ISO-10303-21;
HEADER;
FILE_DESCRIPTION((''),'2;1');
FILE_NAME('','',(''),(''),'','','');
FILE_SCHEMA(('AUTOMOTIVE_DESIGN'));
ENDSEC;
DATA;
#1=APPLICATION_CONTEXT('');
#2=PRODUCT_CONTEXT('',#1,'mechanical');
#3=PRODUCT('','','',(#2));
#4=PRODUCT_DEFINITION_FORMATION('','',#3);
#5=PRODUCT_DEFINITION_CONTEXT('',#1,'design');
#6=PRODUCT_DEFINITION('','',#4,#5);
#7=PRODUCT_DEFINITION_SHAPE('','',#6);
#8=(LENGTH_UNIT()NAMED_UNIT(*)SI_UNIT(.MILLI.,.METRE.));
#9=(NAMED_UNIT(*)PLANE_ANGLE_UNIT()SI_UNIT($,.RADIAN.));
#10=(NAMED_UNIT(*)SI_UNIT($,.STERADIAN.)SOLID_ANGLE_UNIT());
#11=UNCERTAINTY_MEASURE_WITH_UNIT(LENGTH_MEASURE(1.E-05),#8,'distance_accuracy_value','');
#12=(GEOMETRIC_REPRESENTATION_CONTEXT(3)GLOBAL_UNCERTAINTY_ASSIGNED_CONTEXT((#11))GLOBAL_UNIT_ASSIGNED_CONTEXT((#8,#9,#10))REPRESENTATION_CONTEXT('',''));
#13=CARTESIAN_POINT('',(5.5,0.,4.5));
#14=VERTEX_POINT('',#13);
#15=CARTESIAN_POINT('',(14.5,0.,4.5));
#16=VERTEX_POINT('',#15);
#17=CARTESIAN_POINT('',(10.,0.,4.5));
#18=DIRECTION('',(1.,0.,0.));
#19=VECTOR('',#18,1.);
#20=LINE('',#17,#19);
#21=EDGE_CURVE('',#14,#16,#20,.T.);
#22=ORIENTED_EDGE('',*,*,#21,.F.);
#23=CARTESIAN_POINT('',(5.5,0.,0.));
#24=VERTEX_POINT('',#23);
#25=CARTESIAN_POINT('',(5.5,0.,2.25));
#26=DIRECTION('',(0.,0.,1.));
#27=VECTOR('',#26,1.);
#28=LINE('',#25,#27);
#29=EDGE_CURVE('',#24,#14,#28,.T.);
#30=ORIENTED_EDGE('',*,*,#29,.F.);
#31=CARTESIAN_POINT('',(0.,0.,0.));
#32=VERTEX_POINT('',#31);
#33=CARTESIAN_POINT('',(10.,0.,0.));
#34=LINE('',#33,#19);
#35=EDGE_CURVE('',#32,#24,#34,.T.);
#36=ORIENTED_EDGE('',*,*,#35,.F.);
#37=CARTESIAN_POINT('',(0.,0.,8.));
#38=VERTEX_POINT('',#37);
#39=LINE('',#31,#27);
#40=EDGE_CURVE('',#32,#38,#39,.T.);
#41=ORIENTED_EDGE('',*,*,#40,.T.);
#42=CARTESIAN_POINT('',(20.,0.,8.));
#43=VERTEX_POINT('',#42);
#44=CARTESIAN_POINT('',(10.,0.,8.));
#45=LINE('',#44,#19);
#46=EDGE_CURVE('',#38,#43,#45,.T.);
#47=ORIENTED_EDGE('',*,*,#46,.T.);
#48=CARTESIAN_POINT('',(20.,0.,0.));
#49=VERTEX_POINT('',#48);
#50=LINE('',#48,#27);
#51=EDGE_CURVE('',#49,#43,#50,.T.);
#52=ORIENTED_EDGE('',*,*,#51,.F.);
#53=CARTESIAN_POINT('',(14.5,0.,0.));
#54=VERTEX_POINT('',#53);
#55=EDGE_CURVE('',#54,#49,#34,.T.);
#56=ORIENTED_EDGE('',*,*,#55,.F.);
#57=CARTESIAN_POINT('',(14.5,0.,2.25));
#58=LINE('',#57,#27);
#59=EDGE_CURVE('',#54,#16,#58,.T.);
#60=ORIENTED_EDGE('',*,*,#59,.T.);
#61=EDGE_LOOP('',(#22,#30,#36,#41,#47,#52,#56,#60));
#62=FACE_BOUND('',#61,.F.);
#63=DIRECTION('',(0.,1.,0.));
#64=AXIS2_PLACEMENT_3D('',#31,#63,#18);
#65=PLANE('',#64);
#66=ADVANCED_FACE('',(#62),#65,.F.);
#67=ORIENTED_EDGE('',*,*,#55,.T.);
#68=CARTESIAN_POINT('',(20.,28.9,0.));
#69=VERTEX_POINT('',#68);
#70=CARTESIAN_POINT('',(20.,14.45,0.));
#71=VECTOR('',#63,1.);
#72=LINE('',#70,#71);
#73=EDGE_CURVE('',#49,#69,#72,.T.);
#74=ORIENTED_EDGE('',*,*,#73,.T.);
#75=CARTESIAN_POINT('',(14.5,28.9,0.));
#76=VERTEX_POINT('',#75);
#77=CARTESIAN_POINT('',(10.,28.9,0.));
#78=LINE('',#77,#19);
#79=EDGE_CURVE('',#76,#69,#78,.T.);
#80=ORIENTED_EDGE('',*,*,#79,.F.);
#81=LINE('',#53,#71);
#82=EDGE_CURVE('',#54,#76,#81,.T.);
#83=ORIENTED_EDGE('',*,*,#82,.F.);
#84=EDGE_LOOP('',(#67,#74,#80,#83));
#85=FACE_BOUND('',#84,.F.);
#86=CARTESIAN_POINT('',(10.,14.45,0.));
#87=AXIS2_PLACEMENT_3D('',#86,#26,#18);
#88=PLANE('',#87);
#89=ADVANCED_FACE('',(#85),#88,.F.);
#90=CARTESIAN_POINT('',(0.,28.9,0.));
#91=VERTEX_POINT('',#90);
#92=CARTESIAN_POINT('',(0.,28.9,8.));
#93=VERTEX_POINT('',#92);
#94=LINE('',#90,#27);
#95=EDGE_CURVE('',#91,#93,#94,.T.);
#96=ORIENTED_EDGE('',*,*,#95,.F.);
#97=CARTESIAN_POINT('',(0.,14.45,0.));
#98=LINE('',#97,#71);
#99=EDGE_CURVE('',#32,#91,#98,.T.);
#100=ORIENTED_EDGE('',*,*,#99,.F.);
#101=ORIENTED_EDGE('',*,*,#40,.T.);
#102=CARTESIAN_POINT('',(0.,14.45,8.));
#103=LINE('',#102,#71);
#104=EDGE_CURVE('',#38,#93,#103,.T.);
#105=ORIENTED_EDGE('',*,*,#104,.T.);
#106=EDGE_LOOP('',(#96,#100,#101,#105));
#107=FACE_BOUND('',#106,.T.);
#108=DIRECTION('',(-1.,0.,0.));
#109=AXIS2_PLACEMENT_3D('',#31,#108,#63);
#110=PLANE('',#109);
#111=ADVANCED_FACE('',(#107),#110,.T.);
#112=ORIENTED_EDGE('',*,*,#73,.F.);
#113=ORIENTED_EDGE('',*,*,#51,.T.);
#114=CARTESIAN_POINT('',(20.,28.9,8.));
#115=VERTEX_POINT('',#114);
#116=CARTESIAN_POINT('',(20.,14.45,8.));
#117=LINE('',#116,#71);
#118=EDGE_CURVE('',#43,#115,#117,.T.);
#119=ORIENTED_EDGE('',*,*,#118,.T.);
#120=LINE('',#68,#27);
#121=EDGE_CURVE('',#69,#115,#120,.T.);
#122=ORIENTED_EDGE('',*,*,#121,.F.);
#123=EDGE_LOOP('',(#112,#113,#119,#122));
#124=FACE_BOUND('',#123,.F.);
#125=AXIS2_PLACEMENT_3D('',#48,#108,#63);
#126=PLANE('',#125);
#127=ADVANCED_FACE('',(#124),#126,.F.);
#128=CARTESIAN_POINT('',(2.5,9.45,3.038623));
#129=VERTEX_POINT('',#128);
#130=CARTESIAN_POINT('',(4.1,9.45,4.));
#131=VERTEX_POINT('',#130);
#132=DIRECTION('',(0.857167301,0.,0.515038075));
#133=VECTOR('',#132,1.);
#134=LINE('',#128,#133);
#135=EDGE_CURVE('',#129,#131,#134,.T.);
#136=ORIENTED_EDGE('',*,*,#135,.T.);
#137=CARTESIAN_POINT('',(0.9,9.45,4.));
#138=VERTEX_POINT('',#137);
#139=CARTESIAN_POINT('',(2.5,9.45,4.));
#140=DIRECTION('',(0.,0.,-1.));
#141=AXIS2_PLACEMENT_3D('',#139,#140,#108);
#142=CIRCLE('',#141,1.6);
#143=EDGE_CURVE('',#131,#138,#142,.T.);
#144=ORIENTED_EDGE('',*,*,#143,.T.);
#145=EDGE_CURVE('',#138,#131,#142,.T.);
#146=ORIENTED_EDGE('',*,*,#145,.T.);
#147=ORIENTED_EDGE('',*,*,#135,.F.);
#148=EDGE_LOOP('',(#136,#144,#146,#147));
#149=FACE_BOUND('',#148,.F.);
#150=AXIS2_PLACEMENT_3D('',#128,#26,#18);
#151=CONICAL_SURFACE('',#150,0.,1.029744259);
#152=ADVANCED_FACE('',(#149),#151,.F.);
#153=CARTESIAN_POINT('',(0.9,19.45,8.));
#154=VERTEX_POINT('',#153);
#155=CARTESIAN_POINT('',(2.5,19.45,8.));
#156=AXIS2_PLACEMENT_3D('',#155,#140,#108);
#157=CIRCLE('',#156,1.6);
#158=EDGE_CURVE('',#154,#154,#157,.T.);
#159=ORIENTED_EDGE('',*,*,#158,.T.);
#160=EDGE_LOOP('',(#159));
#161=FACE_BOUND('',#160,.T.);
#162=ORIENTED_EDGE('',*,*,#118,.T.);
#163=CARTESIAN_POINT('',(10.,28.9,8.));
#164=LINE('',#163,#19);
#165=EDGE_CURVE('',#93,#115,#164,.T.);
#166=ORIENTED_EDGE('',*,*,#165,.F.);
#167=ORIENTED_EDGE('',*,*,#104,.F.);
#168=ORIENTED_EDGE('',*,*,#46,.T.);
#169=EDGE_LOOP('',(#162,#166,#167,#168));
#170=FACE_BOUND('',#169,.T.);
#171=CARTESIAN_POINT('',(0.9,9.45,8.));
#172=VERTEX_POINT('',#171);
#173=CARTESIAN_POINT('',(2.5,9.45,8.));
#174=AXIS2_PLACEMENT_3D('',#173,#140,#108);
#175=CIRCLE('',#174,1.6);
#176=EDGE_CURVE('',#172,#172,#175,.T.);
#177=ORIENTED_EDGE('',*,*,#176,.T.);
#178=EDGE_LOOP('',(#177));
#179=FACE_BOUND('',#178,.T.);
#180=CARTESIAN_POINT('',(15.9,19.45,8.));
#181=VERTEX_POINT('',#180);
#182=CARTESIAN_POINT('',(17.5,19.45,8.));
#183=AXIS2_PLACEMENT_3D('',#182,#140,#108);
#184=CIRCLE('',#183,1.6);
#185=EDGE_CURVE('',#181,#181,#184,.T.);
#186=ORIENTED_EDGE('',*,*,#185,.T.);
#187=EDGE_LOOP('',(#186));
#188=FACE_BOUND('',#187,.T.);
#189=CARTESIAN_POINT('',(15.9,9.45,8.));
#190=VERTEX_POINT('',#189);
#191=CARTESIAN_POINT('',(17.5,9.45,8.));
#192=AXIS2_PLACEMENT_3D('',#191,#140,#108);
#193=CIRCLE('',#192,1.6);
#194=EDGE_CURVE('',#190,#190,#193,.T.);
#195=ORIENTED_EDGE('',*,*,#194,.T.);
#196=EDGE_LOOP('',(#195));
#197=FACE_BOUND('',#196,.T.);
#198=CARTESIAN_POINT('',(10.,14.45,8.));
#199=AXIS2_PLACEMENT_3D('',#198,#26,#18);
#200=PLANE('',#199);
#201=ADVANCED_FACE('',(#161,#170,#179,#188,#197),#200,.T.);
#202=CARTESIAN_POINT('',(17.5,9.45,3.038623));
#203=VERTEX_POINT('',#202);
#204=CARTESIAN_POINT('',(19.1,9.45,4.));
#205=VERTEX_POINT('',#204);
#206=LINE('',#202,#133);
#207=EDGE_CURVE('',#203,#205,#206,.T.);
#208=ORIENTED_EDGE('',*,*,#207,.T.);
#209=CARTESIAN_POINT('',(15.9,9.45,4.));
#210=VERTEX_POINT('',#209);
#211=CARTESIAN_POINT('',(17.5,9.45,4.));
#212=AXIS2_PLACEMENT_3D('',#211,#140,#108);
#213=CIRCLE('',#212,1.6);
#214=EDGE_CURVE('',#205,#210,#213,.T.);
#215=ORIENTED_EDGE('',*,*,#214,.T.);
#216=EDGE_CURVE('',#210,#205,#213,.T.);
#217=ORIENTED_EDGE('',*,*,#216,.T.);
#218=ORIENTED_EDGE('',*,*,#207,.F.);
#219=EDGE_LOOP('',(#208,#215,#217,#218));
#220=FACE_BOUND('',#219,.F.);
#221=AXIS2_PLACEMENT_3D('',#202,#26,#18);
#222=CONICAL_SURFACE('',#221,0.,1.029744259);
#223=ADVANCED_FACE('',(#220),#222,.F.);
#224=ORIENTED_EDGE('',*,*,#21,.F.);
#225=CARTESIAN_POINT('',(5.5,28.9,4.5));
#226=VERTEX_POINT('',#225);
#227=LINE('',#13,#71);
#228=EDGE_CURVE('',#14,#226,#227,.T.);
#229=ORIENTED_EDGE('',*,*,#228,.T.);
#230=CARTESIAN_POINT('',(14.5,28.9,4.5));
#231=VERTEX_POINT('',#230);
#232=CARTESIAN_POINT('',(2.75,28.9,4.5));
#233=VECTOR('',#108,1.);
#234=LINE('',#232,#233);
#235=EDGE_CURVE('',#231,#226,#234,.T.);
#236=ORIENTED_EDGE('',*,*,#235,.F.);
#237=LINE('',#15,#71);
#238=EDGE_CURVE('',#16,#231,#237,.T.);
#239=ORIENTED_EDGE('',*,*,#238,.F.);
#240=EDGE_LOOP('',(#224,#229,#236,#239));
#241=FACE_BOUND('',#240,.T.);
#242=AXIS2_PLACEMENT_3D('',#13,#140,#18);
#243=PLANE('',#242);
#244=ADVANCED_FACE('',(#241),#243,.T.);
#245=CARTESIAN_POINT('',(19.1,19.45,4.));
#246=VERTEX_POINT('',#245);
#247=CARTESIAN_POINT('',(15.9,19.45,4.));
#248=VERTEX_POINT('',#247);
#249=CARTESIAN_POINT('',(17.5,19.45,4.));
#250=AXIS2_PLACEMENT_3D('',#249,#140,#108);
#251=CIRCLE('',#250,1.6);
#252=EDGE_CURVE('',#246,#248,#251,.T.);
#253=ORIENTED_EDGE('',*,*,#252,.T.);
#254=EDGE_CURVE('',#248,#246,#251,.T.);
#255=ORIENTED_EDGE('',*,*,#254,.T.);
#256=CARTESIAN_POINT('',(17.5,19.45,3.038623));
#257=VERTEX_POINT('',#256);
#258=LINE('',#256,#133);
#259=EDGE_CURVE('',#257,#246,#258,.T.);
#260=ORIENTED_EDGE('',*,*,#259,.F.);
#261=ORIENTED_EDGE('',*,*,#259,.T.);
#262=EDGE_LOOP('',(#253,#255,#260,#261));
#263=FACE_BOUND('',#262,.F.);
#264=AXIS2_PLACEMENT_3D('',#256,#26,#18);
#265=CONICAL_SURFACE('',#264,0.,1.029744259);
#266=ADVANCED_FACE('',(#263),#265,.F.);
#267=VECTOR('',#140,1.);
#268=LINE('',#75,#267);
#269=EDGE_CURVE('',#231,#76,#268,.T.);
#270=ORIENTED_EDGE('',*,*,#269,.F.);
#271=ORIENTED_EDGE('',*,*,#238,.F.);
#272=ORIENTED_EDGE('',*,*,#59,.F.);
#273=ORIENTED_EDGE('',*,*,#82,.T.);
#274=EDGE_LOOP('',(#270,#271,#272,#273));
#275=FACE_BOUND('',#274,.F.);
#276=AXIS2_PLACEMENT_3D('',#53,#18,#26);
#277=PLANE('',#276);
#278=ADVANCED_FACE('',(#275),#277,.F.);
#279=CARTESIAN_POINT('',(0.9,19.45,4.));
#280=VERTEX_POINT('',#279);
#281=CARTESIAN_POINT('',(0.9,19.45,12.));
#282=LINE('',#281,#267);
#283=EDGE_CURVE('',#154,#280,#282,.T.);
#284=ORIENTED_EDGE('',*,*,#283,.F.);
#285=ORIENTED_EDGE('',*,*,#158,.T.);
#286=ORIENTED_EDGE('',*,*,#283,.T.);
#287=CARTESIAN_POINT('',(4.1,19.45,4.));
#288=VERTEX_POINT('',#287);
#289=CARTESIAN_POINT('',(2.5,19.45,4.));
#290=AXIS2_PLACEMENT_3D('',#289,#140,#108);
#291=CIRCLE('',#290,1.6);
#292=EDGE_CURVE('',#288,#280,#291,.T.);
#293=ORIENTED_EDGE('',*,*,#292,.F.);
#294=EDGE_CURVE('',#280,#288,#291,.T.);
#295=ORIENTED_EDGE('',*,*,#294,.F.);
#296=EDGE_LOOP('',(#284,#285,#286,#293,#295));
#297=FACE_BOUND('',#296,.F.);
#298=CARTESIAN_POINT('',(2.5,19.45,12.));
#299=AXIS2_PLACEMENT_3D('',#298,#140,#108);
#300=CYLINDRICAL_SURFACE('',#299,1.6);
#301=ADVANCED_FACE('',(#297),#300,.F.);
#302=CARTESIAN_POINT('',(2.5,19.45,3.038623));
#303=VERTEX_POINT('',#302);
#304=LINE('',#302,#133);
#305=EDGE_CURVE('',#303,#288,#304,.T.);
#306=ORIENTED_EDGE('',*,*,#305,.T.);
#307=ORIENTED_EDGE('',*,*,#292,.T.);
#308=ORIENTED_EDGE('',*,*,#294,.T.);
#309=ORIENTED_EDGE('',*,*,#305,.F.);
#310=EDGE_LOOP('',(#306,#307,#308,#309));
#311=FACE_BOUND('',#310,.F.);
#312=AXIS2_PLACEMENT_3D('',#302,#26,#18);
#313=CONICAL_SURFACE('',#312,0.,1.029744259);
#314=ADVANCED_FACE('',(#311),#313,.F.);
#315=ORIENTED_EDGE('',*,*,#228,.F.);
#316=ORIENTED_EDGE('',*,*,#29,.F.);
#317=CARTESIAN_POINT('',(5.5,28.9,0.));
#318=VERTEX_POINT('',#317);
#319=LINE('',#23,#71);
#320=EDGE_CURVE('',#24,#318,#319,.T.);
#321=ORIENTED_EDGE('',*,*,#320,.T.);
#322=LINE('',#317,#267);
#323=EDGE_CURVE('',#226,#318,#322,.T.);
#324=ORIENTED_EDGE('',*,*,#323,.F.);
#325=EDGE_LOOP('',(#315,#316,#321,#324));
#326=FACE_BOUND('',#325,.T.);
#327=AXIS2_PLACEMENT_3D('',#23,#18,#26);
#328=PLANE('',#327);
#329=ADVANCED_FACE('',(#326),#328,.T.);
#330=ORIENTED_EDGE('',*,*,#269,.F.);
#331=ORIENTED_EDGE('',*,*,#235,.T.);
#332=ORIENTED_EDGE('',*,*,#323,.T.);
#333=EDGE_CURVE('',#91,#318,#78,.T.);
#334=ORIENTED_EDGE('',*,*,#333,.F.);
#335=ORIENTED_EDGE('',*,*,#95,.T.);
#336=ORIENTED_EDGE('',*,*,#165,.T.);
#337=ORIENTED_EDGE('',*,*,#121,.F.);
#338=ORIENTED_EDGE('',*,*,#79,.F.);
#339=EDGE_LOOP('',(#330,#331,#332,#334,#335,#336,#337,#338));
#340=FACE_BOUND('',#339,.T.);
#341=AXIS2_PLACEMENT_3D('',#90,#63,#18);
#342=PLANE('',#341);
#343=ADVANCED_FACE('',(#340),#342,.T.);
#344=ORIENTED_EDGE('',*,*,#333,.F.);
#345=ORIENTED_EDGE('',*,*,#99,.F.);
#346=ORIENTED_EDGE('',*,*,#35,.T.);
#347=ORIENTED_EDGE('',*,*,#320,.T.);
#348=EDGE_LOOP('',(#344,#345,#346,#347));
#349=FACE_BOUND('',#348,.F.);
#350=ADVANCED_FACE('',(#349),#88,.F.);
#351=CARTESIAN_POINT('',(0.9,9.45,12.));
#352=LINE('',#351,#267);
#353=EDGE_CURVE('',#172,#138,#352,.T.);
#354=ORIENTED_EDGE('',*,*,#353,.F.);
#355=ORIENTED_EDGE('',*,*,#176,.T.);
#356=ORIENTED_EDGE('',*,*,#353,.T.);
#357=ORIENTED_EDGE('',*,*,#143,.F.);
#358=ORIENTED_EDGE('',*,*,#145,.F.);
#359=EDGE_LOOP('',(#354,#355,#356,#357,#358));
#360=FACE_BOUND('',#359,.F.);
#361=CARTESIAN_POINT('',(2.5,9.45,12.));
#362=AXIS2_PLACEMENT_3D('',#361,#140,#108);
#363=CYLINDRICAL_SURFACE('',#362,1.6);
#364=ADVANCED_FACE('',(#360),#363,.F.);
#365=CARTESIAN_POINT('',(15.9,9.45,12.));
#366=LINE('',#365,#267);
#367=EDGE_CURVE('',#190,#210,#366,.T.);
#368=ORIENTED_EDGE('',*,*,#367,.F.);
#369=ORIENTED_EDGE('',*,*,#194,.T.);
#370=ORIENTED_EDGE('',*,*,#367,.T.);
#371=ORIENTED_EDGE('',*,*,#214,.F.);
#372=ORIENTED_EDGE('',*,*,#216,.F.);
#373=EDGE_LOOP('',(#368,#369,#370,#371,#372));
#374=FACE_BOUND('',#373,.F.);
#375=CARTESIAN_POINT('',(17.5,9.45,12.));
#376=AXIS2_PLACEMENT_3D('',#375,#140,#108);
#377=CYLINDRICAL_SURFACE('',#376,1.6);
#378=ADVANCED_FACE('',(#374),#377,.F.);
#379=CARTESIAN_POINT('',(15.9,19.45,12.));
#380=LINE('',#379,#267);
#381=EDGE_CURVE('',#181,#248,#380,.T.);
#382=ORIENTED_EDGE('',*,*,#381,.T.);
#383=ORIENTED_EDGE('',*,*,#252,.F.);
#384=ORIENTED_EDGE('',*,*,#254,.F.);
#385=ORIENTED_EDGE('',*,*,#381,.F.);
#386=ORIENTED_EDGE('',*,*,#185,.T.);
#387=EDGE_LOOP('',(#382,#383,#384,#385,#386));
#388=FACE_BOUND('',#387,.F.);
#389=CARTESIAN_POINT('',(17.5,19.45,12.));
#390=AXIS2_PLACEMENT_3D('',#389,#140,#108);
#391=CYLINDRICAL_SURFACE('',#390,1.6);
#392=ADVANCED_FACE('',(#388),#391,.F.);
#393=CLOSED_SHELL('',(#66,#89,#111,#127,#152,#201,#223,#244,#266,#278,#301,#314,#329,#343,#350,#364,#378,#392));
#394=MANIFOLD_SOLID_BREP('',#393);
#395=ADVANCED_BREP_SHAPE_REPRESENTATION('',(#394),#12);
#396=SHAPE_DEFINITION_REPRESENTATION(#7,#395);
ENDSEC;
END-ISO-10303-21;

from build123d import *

# Parameters (mm, degrees)
F0_W     = 20
F0_H     = 28.9
F1_DEPTH = 8
F2_W     = 9
F2_H     = 4.5
F3_DEPTH = 28.901
F5_D     = 3.2
F5_DEPTH = 4
F5_TIP   = 0.9613769904


with BuildPart() as f1:
    # F0 (on Top) → F1 (new body)
    with BuildSketch(Plane.XY):
        with Locations((10, 14.45)):
            Rectangle(F0_W, F0_H)
    extrude(amount=F1_DEPTH)

    # F2 (on face) → F3 (cut, through all)
    with BuildSketch(Plane.XZ):
        with Locations((10, 2.25)):
            Rectangle(F2_W, F2_H)
    extrude(amount=-F3_DEPTH, mode=Mode.SUBTRACT)

    # F5
    with Locations(Plane.XY.offset(8)):
        with Locations((2.5, 9.45), (2.5, 19.45), (17.5, 19.45), (17.5, 9.45)):
            Hole(F5_D / 2, depth=F5_DEPTH)
            with Locations((0, 0, -(F5_DEPTH + F5_TIP / 2))):  # 118° drill point
                Cone(0, F5_D / 2, F5_TIP, mode=Mode.SUBTRACT)


solid = f1.part
